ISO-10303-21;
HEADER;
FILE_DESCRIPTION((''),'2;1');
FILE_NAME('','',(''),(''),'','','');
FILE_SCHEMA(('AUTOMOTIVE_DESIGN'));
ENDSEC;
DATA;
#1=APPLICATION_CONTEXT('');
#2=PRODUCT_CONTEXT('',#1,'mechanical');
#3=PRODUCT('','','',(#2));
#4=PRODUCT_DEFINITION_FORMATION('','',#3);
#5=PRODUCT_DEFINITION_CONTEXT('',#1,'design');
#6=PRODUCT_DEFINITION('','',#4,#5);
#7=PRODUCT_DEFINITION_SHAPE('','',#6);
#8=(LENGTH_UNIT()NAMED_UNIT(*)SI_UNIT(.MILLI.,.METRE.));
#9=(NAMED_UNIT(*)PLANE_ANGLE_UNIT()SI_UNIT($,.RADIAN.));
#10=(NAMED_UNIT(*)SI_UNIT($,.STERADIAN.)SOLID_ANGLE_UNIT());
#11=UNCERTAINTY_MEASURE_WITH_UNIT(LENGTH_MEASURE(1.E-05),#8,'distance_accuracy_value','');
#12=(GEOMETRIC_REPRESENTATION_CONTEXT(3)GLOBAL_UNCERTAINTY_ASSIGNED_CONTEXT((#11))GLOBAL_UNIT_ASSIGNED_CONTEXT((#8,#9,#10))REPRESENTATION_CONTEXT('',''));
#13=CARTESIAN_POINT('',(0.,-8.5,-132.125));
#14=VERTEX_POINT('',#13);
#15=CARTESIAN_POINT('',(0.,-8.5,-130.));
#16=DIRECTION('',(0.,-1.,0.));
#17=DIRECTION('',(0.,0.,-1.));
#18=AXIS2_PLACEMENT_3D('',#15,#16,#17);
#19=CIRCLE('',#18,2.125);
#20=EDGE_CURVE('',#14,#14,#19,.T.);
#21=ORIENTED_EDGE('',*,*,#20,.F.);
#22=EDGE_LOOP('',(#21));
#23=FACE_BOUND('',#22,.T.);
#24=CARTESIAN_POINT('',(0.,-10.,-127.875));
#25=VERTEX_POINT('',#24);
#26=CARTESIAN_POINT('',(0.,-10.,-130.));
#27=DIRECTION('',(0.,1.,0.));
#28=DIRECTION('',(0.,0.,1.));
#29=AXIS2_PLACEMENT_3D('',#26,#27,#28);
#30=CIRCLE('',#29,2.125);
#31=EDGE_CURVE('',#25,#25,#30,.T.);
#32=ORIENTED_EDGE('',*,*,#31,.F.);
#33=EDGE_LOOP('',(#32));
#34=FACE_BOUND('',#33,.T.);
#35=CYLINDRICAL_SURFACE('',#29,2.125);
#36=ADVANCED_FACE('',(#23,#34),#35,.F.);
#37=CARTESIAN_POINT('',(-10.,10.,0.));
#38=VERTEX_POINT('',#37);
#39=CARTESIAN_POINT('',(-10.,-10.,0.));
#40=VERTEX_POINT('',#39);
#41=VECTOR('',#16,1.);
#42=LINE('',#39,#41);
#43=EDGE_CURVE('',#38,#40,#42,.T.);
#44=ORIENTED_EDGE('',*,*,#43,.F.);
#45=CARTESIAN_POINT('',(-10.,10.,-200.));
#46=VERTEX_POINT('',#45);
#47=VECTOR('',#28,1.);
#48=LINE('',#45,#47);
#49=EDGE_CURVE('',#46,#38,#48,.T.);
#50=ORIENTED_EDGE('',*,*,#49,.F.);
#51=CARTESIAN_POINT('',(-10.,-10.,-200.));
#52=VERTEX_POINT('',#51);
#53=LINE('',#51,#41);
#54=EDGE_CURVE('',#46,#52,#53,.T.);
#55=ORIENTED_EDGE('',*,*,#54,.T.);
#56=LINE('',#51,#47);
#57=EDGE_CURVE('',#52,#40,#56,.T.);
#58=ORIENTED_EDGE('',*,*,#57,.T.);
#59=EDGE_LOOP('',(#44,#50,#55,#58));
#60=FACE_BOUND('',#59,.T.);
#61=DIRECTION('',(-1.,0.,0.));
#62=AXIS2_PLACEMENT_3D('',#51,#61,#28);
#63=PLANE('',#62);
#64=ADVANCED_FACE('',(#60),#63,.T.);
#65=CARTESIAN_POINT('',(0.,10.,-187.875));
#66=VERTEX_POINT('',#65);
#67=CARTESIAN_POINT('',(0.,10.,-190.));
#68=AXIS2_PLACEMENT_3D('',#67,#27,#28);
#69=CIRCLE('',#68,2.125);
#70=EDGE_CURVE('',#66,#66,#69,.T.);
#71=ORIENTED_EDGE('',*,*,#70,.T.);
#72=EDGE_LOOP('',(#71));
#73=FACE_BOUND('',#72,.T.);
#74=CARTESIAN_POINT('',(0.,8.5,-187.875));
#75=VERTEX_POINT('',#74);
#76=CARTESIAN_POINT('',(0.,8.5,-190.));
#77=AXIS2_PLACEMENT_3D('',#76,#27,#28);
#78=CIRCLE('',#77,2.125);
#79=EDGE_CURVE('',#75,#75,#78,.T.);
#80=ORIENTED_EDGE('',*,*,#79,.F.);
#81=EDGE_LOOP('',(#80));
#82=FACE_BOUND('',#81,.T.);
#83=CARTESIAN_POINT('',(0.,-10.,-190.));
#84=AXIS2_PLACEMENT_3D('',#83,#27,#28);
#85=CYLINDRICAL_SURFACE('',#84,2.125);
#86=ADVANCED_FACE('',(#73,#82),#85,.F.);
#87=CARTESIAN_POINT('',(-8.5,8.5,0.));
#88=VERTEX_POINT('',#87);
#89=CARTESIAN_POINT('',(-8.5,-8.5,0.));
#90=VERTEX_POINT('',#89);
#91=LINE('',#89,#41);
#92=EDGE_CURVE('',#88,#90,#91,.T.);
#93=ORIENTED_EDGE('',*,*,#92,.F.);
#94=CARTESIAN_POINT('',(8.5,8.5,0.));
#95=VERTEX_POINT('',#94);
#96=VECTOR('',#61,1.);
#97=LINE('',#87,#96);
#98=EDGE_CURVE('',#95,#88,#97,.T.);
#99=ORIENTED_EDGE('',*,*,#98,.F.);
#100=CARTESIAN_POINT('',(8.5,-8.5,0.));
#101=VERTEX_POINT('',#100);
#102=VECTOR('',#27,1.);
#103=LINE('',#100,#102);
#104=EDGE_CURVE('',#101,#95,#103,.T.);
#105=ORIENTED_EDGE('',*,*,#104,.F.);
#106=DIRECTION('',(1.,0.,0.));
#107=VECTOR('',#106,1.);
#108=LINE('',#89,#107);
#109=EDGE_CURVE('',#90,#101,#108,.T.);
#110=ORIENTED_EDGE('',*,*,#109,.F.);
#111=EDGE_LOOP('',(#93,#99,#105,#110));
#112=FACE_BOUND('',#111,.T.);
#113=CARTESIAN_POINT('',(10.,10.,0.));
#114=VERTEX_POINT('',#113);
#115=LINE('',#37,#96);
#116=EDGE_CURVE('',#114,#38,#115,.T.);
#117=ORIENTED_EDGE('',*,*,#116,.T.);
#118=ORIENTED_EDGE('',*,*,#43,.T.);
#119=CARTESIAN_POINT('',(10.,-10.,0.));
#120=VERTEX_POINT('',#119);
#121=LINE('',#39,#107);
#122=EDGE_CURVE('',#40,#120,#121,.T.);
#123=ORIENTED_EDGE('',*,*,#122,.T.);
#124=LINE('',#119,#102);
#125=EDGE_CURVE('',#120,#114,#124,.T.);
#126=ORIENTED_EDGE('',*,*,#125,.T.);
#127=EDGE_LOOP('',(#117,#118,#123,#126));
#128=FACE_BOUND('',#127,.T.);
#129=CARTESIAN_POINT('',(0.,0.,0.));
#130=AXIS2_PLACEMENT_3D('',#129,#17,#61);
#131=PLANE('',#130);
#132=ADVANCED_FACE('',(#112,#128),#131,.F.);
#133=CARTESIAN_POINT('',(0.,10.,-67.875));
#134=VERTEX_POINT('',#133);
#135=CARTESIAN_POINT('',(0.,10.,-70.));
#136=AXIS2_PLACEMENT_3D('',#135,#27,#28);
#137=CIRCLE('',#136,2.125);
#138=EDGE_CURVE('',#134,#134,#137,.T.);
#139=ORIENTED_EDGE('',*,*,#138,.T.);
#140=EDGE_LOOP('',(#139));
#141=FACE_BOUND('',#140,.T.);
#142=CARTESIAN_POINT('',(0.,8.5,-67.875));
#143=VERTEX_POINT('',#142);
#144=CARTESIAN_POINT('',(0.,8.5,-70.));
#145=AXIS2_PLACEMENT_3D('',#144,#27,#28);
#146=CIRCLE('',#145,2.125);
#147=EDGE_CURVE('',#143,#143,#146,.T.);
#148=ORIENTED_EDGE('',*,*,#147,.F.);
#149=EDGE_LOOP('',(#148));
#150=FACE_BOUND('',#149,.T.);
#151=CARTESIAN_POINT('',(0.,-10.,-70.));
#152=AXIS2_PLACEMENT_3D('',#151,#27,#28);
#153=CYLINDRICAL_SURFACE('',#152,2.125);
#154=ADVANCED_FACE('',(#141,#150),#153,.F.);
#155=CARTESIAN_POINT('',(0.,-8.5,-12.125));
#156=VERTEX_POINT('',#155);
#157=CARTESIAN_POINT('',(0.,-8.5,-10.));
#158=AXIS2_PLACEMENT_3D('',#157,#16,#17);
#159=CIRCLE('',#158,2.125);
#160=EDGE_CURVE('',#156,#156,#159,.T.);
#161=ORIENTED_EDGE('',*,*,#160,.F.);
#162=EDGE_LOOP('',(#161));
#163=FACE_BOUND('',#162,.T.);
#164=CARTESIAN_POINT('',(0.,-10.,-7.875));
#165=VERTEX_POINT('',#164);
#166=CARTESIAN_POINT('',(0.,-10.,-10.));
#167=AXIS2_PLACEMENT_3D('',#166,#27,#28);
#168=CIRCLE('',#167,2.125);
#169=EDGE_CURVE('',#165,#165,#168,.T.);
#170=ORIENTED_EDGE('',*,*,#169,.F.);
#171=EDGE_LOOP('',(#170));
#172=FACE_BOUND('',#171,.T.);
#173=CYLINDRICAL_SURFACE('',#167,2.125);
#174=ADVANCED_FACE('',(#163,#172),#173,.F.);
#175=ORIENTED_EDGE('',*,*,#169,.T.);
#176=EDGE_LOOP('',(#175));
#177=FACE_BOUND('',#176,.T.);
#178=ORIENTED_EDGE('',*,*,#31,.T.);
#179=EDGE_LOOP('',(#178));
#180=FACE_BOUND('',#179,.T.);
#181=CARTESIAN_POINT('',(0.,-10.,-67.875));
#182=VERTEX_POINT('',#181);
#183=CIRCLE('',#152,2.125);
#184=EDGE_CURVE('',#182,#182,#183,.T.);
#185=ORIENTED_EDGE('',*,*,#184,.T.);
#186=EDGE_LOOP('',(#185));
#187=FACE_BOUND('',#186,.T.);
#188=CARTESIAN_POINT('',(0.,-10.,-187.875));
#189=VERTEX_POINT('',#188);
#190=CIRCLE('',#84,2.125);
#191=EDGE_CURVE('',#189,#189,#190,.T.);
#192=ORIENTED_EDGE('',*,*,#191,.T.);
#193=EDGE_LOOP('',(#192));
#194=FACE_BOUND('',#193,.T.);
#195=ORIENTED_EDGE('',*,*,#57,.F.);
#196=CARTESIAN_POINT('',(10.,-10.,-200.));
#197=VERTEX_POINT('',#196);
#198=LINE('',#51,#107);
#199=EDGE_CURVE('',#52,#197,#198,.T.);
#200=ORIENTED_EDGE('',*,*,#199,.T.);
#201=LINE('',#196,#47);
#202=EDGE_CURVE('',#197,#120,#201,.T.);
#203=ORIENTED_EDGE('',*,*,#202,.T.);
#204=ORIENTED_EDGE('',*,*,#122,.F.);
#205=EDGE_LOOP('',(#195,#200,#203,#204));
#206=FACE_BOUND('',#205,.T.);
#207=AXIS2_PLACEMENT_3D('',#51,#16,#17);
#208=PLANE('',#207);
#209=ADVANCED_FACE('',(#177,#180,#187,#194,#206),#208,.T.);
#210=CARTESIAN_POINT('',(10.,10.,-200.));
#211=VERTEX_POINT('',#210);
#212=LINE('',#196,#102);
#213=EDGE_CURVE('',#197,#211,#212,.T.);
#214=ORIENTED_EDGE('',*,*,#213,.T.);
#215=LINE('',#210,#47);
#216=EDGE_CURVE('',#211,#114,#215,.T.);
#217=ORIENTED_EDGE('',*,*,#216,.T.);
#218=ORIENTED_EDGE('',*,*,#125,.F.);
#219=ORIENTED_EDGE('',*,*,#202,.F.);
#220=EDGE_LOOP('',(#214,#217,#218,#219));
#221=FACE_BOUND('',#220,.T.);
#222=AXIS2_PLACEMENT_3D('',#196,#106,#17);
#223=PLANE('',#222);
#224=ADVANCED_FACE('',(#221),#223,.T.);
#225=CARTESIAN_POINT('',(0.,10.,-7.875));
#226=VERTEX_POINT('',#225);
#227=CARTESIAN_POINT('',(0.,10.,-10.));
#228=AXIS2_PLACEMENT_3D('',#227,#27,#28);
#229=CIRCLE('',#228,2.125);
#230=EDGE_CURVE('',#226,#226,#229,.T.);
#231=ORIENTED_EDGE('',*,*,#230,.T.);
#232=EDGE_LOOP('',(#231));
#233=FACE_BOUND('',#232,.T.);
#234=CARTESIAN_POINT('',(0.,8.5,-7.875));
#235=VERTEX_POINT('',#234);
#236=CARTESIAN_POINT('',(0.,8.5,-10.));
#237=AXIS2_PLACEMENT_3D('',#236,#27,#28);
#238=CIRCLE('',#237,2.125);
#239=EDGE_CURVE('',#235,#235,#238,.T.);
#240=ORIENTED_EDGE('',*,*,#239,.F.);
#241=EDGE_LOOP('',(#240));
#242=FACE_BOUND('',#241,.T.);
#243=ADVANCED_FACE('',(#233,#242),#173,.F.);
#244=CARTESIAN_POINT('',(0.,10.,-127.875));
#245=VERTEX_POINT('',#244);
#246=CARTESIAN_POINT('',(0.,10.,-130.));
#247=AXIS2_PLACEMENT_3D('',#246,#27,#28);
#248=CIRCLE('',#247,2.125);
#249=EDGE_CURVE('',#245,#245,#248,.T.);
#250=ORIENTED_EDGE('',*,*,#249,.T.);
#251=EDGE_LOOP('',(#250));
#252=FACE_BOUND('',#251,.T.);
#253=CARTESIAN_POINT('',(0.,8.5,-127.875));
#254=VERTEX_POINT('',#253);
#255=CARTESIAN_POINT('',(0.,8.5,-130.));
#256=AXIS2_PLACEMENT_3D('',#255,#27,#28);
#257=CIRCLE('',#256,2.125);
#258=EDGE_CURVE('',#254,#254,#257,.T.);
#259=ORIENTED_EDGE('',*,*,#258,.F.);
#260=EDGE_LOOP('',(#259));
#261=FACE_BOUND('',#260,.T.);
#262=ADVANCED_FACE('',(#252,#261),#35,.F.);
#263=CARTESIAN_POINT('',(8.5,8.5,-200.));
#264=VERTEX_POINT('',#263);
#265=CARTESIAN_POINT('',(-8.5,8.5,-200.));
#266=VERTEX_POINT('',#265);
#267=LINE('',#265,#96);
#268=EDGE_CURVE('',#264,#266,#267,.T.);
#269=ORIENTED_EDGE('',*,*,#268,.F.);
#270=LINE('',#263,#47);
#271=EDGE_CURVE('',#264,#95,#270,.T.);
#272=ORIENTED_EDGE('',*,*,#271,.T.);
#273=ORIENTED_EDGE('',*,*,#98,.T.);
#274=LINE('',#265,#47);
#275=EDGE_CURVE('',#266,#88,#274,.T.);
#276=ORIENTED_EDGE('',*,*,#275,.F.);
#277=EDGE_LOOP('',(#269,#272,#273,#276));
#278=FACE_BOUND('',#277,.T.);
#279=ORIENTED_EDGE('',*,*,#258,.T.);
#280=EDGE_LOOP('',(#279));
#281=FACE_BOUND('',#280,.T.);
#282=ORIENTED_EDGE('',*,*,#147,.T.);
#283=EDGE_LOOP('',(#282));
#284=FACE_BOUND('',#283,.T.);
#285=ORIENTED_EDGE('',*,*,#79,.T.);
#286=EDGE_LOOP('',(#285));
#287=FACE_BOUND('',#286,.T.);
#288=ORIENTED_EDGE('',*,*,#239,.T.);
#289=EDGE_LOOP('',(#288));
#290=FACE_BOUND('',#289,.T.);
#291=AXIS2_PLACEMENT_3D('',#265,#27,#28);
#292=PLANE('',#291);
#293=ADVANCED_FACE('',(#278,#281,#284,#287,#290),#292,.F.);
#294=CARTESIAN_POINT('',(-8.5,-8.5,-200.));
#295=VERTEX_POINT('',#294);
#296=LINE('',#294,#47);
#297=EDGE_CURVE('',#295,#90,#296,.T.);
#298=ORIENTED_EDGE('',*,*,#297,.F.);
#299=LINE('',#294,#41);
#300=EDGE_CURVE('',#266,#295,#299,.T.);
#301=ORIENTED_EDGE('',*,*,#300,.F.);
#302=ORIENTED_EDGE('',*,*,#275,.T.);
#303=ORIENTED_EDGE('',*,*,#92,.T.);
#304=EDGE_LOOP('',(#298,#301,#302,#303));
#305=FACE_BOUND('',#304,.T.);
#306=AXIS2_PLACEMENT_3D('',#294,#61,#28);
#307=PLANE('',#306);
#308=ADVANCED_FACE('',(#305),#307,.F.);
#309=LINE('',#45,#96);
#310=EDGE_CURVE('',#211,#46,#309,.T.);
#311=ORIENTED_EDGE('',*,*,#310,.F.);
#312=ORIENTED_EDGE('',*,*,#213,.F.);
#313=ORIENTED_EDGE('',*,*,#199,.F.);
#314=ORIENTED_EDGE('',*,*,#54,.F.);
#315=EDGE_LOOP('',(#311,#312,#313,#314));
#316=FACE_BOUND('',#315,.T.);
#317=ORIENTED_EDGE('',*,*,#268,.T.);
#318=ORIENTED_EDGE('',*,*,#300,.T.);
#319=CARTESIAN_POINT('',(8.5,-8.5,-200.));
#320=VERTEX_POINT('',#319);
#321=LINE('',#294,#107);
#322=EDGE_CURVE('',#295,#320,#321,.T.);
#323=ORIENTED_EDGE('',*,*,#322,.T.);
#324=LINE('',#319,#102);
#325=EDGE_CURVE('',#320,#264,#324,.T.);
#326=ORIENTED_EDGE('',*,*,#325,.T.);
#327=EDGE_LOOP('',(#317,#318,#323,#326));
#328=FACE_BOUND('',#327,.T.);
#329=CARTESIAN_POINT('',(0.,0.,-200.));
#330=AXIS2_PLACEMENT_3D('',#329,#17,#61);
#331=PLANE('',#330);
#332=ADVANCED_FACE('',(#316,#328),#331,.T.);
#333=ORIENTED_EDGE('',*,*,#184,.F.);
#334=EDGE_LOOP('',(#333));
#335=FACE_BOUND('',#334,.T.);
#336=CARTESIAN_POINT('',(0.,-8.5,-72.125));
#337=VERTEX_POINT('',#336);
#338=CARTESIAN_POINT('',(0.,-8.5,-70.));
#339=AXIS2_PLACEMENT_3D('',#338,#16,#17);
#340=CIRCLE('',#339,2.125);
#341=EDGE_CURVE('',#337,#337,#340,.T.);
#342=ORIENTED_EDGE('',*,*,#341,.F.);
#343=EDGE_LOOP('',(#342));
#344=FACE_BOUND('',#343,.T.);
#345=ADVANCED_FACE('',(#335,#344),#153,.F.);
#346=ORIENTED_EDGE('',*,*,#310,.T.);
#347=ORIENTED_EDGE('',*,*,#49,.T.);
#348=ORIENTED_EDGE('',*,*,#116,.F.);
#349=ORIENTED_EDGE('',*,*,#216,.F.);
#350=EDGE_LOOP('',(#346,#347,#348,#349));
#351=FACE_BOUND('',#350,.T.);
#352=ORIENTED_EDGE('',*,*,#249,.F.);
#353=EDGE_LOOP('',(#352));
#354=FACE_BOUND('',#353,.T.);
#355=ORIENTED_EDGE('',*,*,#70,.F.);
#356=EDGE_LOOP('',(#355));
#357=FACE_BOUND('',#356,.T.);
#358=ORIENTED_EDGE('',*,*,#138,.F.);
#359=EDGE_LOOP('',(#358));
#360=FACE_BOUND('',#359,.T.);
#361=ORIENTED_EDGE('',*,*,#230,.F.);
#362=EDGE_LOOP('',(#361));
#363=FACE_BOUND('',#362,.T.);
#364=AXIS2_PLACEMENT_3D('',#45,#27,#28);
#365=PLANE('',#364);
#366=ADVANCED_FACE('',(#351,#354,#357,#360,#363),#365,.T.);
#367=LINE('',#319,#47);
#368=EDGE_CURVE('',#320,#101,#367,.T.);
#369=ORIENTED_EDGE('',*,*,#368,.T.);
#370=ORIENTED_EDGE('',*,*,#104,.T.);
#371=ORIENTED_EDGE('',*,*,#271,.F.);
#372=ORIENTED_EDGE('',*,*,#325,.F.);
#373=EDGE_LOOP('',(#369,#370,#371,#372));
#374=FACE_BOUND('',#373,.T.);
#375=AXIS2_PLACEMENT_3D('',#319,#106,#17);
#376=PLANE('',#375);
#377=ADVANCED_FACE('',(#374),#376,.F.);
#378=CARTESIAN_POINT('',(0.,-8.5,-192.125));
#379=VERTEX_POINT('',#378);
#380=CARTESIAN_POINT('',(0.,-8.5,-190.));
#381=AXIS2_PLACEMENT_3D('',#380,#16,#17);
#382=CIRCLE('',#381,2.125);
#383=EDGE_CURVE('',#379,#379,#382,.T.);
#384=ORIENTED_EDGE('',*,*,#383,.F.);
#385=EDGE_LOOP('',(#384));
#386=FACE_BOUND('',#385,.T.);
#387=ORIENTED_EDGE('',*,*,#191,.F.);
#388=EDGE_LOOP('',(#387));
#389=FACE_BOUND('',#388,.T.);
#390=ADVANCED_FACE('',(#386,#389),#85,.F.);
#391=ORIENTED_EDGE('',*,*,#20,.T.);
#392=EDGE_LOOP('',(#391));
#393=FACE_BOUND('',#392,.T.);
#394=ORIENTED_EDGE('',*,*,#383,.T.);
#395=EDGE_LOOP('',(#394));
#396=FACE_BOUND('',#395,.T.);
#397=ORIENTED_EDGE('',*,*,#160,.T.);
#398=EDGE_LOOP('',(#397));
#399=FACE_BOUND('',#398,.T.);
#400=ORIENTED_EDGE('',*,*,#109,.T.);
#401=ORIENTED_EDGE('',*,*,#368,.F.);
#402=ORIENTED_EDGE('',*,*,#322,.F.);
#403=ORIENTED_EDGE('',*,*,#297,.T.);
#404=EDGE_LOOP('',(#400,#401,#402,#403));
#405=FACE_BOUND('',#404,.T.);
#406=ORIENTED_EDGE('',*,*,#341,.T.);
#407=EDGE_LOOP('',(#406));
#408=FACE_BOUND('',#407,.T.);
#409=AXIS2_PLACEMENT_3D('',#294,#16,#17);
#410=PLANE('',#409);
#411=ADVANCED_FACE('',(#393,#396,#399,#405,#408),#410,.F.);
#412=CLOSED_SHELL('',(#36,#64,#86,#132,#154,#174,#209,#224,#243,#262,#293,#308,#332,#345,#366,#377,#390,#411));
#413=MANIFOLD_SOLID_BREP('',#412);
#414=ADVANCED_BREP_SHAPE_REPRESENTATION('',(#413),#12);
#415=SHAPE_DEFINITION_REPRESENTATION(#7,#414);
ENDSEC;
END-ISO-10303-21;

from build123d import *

# Parameters (mm, degrees)
SKETCH1_W           = 20
SKETCH1_H           = 20
SKETCH1_W_2         = 17
SKETCH1_H_2         = 17
BOSS_EXTRUDE1_DEPTH = 200
SKETCH2_R           = 2.125
CUT_EXTRUDE1_DEPTH  = 202.246117975


with BuildPart() as part:
    # Sketch1 → Boss-Extrude1 (new body)
    with BuildSketch(Plane.XY):
        Rectangle(SKETCH1_W, SKETCH1_H)
        Rectangle(SKETCH1_W_2, SKETCH1_H_2, mode=Mode.SUBTRACT)
    extrude(amount=-BOSS_EXTRUDE1_DEPTH)

    # Sketch2 → Cut-Extrude1 (cut, through all)
    with BuildSketch(Plane(origin=(0, 10, 0), x_dir=(1, 0, 0), z_dir=(0, 1, 0))):
        with Locations(Location((0, 10, 0), (0, 0, 270))):
            Circle(SKETCH2_R)
        with Locations(Location((0, 70, 0), (0, 0, 270))):
            Circle(SKETCH2_R)
        with Locations(Location((0, 130, 0), (0, 0, 270))):
            Circle(SKETCH2_R)
        with Locations(Location((0, 190, 0), (0, 0, 270))):
            Circle(SKETCH2_R)
    extrude(amount=-CUT_EXTRUDE1_DEPTH, mode=Mode.SUBTRACT)


solid = part.part
